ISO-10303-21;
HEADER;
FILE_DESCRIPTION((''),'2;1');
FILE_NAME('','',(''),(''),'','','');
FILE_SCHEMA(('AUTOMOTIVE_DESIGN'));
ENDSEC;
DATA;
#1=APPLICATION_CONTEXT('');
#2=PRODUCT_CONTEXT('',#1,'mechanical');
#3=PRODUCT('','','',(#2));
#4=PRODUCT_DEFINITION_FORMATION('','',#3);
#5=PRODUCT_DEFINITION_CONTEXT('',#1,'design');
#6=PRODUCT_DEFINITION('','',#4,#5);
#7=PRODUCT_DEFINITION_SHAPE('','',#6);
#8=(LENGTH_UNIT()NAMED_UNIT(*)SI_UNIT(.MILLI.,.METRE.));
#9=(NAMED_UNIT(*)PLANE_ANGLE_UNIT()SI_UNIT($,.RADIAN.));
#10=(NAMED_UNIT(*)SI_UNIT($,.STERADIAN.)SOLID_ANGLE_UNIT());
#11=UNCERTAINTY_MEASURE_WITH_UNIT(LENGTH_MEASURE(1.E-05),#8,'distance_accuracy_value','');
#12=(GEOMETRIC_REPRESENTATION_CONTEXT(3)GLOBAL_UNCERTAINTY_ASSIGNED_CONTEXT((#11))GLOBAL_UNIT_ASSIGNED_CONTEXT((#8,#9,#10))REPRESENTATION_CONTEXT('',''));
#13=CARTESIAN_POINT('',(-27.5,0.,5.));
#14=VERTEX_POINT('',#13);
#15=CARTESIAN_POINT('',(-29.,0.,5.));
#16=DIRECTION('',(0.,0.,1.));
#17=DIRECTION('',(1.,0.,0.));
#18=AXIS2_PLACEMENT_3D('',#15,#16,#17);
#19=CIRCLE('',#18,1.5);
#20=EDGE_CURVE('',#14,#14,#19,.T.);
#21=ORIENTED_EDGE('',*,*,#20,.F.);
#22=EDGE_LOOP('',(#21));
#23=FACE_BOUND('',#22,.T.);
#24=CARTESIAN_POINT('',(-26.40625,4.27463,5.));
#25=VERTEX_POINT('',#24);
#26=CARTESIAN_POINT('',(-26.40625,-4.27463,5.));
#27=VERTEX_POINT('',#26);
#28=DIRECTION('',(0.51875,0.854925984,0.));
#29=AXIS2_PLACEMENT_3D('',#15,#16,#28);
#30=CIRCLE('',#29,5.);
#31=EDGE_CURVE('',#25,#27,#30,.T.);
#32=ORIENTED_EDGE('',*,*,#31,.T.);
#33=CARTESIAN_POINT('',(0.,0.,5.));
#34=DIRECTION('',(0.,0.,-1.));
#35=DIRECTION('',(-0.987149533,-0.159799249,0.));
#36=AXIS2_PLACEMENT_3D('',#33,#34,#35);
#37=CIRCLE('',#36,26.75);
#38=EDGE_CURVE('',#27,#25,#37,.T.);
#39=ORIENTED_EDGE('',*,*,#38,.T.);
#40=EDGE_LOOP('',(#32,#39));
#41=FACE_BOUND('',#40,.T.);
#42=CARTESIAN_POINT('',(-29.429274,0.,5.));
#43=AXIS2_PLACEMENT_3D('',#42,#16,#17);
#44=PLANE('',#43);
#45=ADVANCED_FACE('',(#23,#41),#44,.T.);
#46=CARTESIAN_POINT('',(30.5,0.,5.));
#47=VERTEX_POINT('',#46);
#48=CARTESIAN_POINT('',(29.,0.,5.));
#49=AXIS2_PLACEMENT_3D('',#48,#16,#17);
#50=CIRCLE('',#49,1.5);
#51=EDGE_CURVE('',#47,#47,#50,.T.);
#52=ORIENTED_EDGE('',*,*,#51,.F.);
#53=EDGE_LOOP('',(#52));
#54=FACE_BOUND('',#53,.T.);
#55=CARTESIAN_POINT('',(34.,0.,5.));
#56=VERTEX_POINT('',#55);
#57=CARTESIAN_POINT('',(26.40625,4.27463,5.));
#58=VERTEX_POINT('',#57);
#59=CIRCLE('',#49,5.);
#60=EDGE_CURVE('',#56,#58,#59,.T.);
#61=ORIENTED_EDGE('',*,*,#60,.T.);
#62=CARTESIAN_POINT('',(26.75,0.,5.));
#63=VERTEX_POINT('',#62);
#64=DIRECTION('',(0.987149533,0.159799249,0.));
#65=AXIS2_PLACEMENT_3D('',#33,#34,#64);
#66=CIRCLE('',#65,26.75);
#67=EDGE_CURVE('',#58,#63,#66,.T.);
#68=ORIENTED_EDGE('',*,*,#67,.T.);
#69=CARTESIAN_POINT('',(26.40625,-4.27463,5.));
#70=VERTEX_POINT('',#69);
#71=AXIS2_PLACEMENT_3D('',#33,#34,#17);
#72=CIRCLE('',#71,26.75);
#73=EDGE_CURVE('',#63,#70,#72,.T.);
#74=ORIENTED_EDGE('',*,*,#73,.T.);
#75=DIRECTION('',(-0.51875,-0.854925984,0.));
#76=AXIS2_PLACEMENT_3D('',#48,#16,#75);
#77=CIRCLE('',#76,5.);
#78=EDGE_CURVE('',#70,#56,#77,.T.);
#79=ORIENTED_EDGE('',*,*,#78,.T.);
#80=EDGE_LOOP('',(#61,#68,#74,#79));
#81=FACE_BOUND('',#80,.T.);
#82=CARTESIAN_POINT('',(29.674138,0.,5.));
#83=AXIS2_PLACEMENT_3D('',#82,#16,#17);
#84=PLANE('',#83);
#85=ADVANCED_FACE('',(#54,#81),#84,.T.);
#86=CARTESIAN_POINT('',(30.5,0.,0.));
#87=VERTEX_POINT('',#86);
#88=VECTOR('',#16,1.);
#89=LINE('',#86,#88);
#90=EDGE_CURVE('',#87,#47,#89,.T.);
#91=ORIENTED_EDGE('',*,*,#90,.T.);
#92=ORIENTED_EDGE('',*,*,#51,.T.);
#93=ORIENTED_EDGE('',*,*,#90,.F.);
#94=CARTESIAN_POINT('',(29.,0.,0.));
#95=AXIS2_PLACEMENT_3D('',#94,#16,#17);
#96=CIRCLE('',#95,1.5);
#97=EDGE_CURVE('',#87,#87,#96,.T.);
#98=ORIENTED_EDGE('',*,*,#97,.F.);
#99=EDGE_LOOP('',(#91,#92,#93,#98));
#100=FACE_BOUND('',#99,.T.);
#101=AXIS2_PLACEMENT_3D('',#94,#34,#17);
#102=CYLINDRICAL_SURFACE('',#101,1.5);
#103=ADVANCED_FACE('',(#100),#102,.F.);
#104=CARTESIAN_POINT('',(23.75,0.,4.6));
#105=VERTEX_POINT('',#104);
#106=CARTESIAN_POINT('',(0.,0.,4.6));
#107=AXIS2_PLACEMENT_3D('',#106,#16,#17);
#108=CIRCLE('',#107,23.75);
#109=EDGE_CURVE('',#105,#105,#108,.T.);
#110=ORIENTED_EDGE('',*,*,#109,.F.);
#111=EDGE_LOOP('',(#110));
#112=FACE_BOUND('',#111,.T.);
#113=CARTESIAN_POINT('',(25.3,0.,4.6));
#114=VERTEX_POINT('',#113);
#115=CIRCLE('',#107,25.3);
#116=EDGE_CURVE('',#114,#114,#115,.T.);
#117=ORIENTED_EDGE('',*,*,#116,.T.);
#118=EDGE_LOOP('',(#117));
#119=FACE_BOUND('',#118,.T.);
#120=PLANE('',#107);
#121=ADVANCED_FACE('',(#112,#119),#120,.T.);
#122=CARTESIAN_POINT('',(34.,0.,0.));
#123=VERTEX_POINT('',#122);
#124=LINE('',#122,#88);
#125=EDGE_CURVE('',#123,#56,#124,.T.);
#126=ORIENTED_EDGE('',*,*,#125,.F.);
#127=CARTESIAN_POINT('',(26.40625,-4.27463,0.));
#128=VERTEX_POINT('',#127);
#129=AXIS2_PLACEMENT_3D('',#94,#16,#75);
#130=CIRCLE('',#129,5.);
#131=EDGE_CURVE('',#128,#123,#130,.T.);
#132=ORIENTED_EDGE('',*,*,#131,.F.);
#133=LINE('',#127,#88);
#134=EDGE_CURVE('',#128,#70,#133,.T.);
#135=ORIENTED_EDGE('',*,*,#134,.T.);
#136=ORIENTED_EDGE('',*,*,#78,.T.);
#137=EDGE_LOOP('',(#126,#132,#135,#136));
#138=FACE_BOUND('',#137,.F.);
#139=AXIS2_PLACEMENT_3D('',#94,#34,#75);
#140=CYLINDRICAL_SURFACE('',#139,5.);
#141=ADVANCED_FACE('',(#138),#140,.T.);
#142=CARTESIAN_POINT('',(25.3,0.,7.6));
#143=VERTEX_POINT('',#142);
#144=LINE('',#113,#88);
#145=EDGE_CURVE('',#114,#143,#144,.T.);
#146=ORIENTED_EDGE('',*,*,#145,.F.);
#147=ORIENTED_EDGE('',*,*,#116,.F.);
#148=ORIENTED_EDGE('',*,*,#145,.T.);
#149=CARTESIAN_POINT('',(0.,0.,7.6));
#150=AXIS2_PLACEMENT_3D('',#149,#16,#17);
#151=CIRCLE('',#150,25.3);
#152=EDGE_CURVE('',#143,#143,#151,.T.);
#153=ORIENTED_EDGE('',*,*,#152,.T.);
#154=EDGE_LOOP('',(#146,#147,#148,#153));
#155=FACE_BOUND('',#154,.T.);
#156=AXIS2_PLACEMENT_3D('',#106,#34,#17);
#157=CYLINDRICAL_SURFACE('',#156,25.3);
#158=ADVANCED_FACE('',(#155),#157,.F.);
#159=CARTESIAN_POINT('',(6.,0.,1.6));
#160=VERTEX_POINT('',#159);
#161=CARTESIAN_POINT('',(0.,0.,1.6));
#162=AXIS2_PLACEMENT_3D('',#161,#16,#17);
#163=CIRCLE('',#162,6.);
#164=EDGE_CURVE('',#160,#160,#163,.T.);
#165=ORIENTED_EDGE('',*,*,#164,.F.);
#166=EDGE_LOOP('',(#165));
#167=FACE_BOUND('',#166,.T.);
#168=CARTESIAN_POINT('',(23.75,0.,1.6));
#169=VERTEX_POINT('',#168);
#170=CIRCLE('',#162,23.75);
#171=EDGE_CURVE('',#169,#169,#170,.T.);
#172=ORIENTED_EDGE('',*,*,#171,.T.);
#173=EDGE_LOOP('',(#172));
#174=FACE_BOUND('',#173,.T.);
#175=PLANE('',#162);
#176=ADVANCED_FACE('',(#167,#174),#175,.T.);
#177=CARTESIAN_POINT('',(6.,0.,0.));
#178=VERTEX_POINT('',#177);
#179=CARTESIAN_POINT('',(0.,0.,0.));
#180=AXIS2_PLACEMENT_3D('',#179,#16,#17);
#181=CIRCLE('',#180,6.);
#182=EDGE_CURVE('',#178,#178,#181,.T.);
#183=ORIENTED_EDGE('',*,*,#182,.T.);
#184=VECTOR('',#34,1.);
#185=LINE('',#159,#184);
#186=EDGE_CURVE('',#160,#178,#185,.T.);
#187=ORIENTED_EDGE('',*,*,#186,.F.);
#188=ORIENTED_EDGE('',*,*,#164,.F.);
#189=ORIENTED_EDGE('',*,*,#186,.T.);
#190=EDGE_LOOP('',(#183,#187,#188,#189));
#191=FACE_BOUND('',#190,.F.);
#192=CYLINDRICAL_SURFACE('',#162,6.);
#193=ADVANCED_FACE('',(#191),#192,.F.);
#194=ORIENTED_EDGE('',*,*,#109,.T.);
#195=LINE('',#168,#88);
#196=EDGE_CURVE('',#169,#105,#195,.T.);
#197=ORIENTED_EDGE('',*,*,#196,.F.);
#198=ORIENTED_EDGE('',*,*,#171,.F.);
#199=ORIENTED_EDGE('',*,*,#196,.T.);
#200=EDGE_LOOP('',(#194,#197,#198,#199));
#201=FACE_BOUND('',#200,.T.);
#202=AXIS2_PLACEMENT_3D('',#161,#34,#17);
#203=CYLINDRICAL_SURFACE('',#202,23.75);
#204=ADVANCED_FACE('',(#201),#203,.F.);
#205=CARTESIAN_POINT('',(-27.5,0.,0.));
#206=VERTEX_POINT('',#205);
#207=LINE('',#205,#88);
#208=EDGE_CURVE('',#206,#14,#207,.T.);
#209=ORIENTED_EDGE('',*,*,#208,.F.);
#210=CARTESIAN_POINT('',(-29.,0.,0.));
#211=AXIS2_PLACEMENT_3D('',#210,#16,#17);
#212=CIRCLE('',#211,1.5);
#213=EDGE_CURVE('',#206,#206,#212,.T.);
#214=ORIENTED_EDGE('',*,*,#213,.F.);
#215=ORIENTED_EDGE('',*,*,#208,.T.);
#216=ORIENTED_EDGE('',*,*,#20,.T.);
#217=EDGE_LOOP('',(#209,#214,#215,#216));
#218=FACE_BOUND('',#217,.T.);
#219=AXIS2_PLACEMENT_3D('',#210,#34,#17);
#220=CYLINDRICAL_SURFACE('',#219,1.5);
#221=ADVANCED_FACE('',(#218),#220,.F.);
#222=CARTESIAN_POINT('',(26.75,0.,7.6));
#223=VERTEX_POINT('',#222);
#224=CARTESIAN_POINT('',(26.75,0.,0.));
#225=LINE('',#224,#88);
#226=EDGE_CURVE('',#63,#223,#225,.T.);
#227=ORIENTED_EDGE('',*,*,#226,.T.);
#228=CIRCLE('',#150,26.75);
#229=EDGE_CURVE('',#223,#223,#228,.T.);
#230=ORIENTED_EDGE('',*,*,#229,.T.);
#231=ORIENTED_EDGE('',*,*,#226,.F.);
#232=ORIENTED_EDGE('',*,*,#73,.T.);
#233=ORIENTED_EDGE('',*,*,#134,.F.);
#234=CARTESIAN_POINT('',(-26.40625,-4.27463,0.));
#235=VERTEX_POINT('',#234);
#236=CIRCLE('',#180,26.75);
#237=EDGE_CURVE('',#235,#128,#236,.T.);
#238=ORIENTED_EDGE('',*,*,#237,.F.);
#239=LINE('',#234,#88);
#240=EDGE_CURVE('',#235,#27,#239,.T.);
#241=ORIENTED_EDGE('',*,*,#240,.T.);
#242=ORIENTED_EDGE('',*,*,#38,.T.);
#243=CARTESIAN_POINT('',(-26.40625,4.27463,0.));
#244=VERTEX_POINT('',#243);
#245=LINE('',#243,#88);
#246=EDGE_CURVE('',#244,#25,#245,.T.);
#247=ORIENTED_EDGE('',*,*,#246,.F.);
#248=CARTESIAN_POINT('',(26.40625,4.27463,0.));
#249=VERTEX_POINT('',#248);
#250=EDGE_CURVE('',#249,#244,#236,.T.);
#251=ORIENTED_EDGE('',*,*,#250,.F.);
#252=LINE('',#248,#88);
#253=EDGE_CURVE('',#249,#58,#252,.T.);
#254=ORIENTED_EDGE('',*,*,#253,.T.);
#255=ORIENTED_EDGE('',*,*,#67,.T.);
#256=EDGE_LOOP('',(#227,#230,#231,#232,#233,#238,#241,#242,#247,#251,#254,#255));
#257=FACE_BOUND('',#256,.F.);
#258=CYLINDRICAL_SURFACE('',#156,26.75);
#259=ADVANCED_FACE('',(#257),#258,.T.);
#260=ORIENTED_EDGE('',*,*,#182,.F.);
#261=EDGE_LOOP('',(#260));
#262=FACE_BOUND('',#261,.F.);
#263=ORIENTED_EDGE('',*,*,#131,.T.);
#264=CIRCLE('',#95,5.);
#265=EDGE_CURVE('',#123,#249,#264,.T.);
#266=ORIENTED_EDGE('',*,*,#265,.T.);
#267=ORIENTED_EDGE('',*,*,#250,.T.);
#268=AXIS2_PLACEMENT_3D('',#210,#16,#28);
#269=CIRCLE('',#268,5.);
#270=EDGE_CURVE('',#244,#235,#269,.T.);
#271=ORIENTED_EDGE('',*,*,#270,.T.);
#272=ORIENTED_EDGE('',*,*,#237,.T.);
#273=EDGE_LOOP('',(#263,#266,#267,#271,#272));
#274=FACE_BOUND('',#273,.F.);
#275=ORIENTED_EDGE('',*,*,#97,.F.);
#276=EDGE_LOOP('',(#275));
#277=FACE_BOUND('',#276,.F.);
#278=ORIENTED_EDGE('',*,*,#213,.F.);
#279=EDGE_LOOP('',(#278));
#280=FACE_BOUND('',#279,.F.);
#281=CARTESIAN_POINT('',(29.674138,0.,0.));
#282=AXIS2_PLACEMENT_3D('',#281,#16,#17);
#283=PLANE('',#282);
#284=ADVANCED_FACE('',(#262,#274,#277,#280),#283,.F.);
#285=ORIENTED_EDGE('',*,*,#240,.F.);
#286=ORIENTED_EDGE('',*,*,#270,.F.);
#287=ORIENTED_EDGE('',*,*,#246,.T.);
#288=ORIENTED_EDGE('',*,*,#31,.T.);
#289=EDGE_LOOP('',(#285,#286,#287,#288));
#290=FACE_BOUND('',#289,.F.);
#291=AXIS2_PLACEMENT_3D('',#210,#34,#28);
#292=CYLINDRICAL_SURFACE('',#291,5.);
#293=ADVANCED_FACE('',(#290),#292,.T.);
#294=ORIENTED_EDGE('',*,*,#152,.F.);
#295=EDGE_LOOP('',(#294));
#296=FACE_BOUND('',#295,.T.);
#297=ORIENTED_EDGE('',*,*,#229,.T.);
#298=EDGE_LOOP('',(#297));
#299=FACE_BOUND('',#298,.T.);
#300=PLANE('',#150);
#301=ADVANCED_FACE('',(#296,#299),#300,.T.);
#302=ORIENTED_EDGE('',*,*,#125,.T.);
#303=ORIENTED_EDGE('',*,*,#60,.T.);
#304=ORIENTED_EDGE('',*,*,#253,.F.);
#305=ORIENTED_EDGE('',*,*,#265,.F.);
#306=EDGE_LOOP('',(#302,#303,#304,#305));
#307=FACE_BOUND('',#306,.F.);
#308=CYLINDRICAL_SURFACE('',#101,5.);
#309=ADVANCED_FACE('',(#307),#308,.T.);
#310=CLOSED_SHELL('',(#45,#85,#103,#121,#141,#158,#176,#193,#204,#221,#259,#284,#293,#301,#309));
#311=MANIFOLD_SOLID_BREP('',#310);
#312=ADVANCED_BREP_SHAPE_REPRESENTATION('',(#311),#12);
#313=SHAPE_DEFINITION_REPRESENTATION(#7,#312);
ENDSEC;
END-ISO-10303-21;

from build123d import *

# Parameters (mm, degrees)
F0_R     = 26.75
F1_DEPTH = 1.6
F2_R     = 26.75
F2_R_2   = 23.75
F3_DEPTH = 3
F4_R     = 26.75
F4_R_2   = 25.3
F5_DEPTH = 3
F6_R     = 6
F7_DEPTH = 25
F8_R     = 1.5
F9_DEPTH = 5


with BuildPart() as f1:
    # F0 (on Top) → F1 (new body)
    with BuildSketch(Plane.XY):
        Circle(F0_R)
    extrude(amount=F1_DEPTH)

    # F2 (on face) → F3 (join)
    with BuildSketch(Plane.XY.offset(1.6)):
        Circle(F2_R)
        Circle(F2_R_2, mode=Mode.SUBTRACT)
    extrude(amount=F3_DEPTH)

    # F4 (on face) → F5 (join)
    with BuildSketch(Plane.XY.offset(4.6)):
        Circle(F4_R)
        Circle(F4_R_2, mode=Mode.SUBTRACT)
    extrude(amount=F5_DEPTH)

    # F6 (on face) → F7 (cut)
    with BuildSketch(Plane.XY.offset(1.6)):
        Circle(F6_R)
    extrude(amount=-F7_DEPTH, mode=Mode.SUBTRACT)

    # F8 (on Top) → F9 (join)
    with BuildSketch(Plane.XY):
        with BuildLine():
            ThreePointArc((-26.40625, -4.2746299182), (-26.75, 0), (-26.40625, 4.2746299182))
            ThreePointArc((-26.40625, 4.2746299182), (-34, 0), (-26.40625, -4.2746299182))
        make_face()
        with Locations((-29, 0)):
            Circle(F8_R, mode=Mode.SUBTRACT)
        with BuildLine():
            ThreePointArc((26.40625, -4.2746299182), (31.4526771088, -4.3571062645), (34, 0))
            ThreePointArc((34, 0), (31.4526771088, 4.3571062645), (26.40625, 4.2746299182))
            ThreePointArc((26.40625, 4.2746299182), (26.6639240126, 2.1442145998), (26.75, 0))
            ThreePointArc((26.75, 0), (26.6639240126, -2.1442145998), (26.40625, -4.2746299182))
        make_face()
        with Locations((29, 0)):
            Circle(F8_R, mode=Mode.SUBTRACT)
    extrude(amount=F9_DEPTH)


solid = f1.part
